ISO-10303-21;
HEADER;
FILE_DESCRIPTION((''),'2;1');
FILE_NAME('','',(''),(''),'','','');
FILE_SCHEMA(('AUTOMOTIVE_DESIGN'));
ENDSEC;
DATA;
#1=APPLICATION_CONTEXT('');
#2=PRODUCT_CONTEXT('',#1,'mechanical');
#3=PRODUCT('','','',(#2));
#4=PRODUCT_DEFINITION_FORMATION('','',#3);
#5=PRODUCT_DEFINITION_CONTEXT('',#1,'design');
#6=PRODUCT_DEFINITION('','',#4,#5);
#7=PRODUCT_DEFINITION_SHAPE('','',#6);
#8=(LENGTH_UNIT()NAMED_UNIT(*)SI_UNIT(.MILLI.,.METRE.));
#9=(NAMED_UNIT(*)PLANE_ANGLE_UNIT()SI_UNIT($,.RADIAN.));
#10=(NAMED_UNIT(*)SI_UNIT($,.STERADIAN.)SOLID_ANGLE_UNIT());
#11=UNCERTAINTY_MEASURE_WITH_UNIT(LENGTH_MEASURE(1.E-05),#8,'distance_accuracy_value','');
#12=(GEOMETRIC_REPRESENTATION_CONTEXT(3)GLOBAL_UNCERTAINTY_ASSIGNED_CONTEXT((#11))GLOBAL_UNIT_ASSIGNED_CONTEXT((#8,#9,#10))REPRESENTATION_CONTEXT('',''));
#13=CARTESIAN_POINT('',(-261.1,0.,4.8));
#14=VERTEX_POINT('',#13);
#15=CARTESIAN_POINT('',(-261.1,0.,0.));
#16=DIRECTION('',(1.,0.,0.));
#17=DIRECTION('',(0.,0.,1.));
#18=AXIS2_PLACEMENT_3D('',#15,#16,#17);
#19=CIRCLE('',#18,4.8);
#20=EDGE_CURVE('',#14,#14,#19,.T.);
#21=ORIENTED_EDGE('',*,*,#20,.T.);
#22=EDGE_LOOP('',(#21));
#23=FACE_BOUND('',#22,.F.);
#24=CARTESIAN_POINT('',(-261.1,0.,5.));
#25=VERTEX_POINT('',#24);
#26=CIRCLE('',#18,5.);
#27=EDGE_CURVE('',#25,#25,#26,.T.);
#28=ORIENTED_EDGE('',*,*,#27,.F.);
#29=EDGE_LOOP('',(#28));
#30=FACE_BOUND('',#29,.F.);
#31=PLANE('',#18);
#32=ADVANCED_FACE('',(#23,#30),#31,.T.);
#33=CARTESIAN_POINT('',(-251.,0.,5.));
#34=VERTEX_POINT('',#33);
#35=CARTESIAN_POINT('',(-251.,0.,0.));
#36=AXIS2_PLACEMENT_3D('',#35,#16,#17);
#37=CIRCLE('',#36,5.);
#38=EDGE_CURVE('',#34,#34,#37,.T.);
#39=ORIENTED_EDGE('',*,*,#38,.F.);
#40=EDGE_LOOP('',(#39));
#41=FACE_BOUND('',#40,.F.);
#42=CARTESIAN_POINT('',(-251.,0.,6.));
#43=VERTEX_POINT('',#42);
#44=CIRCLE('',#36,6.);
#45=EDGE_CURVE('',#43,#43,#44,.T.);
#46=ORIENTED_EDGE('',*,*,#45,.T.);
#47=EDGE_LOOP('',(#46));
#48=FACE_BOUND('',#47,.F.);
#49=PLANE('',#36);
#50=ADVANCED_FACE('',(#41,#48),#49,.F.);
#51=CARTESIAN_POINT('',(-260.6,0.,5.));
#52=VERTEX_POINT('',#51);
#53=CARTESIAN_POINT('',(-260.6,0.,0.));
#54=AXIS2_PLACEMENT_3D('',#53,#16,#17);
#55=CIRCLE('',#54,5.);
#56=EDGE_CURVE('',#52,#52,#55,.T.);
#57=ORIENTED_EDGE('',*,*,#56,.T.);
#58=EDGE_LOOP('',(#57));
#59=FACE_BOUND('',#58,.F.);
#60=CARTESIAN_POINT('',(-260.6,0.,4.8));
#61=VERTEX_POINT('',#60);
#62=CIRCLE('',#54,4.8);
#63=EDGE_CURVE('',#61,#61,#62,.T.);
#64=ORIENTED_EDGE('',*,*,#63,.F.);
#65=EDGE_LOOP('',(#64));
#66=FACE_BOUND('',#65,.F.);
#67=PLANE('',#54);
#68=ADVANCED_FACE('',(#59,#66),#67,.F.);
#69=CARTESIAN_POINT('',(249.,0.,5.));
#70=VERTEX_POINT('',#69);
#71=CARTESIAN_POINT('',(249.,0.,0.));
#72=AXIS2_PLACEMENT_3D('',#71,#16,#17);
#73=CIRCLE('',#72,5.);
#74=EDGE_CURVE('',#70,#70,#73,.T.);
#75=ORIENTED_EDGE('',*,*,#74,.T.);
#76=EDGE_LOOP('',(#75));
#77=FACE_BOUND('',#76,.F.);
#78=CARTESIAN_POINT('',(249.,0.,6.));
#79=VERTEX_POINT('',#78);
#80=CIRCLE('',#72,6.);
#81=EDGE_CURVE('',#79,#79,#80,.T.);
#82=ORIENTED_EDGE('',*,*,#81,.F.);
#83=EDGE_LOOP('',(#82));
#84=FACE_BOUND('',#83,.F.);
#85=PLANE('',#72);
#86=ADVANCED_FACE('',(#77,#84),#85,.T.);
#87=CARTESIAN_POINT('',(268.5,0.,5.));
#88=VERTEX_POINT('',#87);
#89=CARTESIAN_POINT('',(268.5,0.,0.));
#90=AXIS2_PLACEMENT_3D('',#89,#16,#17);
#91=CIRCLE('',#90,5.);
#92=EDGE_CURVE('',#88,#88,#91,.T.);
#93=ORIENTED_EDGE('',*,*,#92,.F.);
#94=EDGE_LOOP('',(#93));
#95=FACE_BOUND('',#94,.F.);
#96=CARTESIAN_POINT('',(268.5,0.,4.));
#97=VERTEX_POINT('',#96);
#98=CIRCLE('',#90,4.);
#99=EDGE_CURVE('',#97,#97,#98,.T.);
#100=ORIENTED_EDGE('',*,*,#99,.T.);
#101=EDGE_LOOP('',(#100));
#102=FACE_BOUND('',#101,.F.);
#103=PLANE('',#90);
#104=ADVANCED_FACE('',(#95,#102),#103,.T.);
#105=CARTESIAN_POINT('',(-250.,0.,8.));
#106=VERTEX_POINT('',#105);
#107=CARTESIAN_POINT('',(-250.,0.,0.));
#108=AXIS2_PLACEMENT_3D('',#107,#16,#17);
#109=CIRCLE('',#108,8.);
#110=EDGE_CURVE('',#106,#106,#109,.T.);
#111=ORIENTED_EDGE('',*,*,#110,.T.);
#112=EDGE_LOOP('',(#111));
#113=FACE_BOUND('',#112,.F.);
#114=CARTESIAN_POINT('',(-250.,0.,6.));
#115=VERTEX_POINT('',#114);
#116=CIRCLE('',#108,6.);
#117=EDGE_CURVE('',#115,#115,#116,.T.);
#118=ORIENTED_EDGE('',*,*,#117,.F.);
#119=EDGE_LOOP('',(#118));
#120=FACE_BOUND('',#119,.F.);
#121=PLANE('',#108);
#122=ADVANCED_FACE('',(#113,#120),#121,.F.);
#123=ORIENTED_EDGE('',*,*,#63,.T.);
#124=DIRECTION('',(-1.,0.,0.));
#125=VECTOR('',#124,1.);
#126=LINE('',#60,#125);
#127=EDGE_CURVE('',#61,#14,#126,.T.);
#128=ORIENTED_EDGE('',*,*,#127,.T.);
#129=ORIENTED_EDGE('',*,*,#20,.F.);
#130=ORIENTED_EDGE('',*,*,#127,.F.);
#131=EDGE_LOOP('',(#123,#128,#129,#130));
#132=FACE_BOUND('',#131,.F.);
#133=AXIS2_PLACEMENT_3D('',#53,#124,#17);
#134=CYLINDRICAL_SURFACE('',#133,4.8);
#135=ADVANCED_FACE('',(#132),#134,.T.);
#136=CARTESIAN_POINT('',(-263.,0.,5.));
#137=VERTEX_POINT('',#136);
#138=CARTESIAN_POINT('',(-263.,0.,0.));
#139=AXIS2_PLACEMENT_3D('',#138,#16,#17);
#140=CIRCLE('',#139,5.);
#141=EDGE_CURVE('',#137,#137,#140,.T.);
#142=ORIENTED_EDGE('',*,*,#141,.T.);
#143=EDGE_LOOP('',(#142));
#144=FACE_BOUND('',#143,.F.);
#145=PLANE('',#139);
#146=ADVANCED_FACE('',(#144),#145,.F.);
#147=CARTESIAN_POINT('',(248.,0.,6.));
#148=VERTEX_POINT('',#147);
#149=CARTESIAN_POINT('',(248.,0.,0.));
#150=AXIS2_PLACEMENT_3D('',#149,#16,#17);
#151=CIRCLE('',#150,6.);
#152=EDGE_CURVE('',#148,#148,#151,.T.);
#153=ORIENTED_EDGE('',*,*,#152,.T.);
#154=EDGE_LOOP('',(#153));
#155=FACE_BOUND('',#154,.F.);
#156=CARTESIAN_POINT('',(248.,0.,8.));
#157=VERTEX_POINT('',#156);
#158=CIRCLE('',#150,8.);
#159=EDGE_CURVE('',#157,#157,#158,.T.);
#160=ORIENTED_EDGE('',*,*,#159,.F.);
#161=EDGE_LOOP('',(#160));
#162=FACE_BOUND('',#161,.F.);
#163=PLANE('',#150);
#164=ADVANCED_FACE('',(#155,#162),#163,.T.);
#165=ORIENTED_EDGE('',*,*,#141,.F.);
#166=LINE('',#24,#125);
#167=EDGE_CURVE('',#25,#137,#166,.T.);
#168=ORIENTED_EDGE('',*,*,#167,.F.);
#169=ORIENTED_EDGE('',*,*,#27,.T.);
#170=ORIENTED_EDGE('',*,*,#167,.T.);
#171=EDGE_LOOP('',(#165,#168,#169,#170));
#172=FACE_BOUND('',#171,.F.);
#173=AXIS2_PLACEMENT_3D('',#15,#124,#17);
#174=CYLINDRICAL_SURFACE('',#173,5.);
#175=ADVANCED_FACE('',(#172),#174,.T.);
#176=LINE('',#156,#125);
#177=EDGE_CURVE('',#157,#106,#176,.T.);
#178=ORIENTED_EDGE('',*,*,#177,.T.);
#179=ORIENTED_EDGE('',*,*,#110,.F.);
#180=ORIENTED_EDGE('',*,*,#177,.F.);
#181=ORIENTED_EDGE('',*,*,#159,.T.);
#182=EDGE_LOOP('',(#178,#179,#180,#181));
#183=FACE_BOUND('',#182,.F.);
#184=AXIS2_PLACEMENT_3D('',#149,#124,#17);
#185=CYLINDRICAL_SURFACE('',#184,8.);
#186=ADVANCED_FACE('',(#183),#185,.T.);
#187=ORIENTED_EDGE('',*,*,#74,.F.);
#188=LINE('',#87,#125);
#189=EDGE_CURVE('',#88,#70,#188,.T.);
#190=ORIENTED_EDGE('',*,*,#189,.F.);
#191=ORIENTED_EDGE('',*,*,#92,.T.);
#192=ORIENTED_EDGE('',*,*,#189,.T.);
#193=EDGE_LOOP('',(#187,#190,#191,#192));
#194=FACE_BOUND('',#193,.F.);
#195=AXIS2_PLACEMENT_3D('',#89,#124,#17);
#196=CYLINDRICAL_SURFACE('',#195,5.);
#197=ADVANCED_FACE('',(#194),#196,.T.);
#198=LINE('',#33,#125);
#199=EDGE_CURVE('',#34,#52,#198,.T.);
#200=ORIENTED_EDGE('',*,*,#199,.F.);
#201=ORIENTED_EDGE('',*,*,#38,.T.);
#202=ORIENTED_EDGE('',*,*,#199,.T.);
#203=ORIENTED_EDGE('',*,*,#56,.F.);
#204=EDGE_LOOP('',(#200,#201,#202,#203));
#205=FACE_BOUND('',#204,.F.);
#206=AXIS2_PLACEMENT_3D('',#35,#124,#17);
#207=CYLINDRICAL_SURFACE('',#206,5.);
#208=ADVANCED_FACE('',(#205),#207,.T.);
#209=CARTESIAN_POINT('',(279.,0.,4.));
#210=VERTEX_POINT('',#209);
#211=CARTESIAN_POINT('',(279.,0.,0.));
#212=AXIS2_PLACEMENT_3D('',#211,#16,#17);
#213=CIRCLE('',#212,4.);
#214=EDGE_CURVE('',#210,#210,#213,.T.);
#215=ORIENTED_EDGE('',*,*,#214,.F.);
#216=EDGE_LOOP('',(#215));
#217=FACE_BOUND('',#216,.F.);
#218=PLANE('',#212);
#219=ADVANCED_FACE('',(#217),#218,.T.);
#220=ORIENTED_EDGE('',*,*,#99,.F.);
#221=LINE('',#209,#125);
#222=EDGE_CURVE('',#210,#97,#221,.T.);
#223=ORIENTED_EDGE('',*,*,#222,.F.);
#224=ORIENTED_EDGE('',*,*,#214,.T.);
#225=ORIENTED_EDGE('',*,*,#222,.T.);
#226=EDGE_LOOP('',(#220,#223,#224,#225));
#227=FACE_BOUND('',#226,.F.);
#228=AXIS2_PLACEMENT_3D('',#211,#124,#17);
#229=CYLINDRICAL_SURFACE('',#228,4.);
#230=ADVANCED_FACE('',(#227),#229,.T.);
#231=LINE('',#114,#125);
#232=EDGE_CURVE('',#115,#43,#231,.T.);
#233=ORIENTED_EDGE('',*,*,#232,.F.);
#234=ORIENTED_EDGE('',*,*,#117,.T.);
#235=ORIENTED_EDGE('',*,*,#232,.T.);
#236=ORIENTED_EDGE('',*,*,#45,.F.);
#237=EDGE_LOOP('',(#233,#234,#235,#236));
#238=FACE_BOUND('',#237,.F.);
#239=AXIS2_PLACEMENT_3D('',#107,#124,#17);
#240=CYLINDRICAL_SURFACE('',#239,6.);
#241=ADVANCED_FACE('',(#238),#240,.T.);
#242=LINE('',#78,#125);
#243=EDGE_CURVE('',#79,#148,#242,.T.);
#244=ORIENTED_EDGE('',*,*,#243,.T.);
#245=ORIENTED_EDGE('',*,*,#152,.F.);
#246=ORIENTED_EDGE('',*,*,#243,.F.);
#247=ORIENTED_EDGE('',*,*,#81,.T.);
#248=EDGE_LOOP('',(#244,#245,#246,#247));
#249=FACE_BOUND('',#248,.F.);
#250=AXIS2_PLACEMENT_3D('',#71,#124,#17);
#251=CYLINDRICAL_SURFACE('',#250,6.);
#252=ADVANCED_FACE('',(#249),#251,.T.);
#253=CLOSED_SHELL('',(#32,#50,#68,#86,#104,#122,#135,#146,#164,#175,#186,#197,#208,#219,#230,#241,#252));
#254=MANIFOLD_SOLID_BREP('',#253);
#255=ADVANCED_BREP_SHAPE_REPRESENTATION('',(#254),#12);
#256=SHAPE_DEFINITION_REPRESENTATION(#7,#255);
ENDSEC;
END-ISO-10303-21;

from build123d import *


with BuildPart() as f1:
    # F0 (on Front) → F1 (revolve)
    with BuildSketch(Plane.XZ):
        Polygon((-263, 5), (-263, 0), (279, 0), (279, 4), (268.5, 4), (268.5, 5), (249, 5), (249, 6), (248, 6), (248, 8), (-250, 8), (-250, 6), (-251, 6), (-251, 5), (-260.6, 5), (-260.6, 4.8), (-261.1, 4.8), (-261.1, 5), align=None)
    revolve(axis=Axis((8, 0, 0), (1, 0, 0)))


solid = f1.part
